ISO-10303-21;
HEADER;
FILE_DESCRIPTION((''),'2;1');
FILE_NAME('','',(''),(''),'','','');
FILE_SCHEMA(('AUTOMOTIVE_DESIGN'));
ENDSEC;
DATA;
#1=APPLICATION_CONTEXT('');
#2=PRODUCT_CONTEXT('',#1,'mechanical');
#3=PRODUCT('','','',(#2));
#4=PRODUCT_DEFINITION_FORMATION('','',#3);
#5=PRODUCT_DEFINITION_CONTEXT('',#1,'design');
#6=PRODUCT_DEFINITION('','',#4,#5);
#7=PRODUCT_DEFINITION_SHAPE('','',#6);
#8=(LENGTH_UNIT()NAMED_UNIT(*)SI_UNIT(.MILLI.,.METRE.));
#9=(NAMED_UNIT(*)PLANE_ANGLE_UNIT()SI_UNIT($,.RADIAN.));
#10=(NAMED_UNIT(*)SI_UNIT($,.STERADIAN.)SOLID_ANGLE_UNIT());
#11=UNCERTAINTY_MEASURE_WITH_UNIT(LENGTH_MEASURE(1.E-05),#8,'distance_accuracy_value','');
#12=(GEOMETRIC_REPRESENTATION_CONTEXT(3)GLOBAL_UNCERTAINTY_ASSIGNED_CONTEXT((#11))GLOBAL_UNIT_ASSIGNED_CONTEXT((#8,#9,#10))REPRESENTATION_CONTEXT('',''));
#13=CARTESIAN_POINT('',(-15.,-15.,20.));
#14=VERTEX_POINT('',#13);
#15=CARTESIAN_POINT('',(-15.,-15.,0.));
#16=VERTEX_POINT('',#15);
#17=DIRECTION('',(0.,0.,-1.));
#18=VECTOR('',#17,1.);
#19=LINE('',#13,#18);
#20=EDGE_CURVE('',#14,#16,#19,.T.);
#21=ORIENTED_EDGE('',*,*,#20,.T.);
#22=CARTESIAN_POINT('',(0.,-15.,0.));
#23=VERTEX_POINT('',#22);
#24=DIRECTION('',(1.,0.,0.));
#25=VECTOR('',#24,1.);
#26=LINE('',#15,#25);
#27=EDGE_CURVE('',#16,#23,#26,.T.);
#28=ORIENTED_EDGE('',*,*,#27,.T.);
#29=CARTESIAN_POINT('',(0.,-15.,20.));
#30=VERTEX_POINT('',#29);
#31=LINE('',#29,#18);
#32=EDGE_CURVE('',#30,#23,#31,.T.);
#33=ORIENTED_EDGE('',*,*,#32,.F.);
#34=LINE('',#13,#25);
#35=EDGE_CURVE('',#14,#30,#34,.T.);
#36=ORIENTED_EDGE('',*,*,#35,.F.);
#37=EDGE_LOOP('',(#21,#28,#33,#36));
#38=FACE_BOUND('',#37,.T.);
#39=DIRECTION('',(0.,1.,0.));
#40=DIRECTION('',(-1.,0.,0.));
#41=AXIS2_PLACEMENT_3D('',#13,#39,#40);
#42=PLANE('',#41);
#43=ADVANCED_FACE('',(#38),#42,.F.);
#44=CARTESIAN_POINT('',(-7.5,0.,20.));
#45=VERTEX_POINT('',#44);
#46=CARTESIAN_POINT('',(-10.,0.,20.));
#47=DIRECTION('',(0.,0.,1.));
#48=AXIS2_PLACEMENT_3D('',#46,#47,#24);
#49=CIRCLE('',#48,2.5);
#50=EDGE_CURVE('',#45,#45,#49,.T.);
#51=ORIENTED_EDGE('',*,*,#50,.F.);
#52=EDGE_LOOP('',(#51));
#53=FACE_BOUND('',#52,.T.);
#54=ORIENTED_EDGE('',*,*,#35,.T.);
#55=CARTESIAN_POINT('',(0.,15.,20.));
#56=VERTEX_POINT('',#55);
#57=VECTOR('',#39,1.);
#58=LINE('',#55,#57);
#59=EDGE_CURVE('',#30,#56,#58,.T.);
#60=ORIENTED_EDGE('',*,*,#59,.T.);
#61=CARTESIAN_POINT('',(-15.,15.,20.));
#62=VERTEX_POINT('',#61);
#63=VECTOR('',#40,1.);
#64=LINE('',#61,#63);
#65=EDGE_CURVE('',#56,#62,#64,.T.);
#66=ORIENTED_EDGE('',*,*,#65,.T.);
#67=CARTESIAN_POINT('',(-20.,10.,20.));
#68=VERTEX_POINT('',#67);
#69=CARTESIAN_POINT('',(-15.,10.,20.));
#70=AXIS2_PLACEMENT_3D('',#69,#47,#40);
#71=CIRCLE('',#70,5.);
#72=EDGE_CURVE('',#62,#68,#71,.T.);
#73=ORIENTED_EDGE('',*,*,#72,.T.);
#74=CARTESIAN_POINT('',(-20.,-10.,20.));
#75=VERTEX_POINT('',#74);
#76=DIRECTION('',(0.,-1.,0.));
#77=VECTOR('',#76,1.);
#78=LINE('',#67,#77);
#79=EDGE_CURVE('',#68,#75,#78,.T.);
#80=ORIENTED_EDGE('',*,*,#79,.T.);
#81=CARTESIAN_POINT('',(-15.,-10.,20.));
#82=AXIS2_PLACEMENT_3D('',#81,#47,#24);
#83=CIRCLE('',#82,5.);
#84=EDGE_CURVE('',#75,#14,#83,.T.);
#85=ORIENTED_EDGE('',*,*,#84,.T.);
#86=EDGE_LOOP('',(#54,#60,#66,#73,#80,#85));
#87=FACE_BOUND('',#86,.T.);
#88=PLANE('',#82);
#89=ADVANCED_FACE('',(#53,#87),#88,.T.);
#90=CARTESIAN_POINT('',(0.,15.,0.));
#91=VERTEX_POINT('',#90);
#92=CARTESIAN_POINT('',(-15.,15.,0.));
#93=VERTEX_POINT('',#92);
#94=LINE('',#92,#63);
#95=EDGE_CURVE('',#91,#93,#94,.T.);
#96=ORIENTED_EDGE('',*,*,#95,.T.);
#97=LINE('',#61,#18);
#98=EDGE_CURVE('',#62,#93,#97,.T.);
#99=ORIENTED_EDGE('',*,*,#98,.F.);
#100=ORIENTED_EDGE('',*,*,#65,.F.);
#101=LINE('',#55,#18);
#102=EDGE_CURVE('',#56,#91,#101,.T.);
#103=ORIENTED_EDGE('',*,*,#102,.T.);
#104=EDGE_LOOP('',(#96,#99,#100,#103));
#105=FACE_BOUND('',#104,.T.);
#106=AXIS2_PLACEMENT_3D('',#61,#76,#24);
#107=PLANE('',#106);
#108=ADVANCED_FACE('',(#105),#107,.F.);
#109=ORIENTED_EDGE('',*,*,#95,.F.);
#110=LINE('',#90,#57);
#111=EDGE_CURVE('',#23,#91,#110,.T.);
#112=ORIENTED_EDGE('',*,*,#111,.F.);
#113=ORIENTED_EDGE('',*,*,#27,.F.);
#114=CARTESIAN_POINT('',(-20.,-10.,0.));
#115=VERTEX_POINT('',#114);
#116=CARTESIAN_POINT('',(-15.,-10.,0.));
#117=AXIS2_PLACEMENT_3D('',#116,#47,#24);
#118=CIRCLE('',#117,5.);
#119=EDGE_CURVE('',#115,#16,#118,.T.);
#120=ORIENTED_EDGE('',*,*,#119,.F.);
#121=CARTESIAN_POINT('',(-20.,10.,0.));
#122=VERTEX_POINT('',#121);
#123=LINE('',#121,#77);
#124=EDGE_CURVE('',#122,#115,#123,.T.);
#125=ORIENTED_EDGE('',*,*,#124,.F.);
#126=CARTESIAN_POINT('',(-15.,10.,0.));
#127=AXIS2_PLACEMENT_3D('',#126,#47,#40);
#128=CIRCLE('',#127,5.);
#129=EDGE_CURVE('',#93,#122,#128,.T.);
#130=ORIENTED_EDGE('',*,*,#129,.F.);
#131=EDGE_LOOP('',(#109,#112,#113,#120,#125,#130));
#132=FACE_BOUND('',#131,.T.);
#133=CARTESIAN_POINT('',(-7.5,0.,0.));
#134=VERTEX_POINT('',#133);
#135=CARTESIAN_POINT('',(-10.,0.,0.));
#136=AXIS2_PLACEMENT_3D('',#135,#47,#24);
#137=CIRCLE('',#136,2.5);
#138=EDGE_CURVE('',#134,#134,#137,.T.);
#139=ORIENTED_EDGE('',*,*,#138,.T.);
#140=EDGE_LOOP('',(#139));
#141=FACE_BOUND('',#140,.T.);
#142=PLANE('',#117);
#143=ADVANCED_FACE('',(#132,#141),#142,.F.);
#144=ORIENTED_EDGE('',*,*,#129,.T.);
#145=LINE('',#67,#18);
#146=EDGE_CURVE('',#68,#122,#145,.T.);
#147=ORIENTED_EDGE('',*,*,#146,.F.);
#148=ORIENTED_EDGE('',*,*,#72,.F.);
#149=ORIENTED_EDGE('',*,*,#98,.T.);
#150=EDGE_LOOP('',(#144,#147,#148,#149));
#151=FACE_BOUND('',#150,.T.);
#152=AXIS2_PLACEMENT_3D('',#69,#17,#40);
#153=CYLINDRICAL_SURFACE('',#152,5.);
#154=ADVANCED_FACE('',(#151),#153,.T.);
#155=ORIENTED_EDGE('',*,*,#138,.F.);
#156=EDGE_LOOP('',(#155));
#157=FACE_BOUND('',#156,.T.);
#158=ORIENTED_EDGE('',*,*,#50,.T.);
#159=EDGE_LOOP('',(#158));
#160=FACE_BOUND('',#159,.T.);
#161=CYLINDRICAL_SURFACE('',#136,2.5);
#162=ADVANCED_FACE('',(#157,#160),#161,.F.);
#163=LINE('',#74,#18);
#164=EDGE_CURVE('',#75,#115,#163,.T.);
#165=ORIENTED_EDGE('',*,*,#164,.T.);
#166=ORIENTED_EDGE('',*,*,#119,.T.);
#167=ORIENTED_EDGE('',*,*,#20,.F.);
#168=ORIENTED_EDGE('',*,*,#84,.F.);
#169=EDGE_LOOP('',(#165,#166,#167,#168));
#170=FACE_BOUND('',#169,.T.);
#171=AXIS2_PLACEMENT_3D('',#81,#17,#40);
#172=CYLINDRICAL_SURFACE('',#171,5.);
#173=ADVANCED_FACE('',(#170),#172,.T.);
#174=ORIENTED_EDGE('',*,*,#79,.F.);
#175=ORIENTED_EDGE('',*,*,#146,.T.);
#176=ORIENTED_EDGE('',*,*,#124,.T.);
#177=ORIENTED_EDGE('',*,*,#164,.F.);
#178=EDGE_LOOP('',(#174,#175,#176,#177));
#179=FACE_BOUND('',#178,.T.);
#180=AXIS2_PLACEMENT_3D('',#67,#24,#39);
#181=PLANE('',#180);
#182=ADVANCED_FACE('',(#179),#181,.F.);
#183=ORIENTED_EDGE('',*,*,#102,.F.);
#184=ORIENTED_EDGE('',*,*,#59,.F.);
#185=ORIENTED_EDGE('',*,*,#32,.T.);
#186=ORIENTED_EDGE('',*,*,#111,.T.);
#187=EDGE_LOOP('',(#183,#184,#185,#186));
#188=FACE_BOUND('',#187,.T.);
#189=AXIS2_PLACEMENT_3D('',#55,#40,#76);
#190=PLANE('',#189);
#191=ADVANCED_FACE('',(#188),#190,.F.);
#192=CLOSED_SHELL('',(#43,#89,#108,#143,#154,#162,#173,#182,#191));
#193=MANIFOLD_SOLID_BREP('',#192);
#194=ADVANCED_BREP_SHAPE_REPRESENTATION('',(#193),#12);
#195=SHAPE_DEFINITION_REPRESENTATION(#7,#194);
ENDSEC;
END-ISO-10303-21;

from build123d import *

# Parameters (mm, degrees)
BOSS_EXTRUDE1_DEPTH     = 20
CUT_EXTRUDE1_DEPTH      = 1
CUT_EXTRUDE1_DEPTH_BACK = 21


with BuildPart() as part:
    # Sketch1 → Boss-Extrude1 (new body)
    with BuildSketch(Plane.XY):
        with BuildLine():
            Line((-15, 15), (0, 15))
            Line((0, 15), (0, -15))
            Line((0, -15), (-15, -15))
            ThreePointArc((-15, -15), (-18.535533906, -13.535533906), (-20, -10))
            Line((-20, -10), (-20, 10))
            ThreePointArc((-20, 10), (-18.535533906, 13.535533906), (-15, 15))
        make_face()
    extrude(amount=BOSS_EXTRUDE1_DEPTH)

    # Sketch2 → Cut-Extrude1 (cut, two sides)
    with BuildSketch(Plane.XY.offset(20)) as cut_extrude1_sk:
        with BuildLine():
            ThreePointArc((-12.5, 0), (-10, -2.5), (-7.5, 0))
            Line((-7.5, 0), (-12.5, 0))
        make_face()
        with BuildLine():
            Line((-12.5, 0), (-7.5, 0))
            ThreePointArc((-7.5, 0), (-10, 2.5), (-12.5, 0))
        make_face()
    extrude(amount=CUT_EXTRUDE1_DEPTH, mode=Mode.SUBTRACT)
    extrude(cut_extrude1_sk.sketch, amount=-CUT_EXTRUDE1_DEPTH_BACK, mode=Mode.SUBTRACT)


solid = part.part
